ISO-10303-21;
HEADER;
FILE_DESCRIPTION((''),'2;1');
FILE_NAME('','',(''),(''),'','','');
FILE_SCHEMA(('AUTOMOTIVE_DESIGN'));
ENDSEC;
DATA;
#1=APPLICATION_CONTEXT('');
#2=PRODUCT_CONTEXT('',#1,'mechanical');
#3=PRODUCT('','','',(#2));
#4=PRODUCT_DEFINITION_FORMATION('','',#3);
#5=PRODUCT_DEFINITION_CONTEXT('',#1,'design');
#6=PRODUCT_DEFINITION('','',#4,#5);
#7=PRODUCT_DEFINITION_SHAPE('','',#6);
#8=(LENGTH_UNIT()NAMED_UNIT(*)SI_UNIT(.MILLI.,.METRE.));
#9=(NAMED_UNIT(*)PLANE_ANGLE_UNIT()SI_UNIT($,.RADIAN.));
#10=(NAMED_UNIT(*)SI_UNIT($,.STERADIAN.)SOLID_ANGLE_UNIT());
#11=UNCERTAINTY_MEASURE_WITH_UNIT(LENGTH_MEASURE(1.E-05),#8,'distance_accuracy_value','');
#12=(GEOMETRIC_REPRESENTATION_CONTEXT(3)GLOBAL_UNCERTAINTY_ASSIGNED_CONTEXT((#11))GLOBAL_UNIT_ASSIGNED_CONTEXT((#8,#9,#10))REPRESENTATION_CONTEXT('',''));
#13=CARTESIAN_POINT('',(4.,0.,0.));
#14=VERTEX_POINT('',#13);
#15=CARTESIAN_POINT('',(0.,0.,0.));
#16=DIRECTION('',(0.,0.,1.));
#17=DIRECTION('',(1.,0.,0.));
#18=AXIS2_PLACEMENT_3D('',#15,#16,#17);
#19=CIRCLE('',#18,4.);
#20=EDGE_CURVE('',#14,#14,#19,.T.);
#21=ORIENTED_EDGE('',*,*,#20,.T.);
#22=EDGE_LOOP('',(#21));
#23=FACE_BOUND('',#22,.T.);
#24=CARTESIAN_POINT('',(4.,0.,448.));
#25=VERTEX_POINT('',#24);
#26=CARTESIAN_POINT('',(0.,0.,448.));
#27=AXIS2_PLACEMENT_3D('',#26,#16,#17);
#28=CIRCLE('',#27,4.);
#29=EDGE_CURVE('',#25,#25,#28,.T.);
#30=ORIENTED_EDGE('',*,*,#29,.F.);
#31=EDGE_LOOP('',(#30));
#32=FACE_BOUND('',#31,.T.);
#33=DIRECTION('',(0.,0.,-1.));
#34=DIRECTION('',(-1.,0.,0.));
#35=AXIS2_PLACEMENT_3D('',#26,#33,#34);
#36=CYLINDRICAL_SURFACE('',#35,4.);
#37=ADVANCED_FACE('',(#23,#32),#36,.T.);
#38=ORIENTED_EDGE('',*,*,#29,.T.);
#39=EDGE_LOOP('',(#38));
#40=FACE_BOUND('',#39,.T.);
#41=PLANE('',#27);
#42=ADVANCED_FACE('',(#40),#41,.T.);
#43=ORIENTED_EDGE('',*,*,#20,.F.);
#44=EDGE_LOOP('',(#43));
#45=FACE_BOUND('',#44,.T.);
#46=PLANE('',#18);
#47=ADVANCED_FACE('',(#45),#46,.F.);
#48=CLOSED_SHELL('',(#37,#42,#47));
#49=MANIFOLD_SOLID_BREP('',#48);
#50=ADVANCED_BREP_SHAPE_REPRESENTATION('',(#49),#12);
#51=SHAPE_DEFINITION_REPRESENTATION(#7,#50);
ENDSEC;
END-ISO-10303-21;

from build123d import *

# Parameters (mm, degrees)
ESQUISSE1_R        = 4
BOSS_EXTRU_1_DEPTH = 448


with BuildPart() as part:
    # Esquisse1 → Boss.-Extru.1 (new body)
    with BuildSketch(Plane.XY):
        Circle(ESQUISSE1_R)
    extrude(amount=BOSS_EXTRU_1_DEPTH)


solid = part.part
